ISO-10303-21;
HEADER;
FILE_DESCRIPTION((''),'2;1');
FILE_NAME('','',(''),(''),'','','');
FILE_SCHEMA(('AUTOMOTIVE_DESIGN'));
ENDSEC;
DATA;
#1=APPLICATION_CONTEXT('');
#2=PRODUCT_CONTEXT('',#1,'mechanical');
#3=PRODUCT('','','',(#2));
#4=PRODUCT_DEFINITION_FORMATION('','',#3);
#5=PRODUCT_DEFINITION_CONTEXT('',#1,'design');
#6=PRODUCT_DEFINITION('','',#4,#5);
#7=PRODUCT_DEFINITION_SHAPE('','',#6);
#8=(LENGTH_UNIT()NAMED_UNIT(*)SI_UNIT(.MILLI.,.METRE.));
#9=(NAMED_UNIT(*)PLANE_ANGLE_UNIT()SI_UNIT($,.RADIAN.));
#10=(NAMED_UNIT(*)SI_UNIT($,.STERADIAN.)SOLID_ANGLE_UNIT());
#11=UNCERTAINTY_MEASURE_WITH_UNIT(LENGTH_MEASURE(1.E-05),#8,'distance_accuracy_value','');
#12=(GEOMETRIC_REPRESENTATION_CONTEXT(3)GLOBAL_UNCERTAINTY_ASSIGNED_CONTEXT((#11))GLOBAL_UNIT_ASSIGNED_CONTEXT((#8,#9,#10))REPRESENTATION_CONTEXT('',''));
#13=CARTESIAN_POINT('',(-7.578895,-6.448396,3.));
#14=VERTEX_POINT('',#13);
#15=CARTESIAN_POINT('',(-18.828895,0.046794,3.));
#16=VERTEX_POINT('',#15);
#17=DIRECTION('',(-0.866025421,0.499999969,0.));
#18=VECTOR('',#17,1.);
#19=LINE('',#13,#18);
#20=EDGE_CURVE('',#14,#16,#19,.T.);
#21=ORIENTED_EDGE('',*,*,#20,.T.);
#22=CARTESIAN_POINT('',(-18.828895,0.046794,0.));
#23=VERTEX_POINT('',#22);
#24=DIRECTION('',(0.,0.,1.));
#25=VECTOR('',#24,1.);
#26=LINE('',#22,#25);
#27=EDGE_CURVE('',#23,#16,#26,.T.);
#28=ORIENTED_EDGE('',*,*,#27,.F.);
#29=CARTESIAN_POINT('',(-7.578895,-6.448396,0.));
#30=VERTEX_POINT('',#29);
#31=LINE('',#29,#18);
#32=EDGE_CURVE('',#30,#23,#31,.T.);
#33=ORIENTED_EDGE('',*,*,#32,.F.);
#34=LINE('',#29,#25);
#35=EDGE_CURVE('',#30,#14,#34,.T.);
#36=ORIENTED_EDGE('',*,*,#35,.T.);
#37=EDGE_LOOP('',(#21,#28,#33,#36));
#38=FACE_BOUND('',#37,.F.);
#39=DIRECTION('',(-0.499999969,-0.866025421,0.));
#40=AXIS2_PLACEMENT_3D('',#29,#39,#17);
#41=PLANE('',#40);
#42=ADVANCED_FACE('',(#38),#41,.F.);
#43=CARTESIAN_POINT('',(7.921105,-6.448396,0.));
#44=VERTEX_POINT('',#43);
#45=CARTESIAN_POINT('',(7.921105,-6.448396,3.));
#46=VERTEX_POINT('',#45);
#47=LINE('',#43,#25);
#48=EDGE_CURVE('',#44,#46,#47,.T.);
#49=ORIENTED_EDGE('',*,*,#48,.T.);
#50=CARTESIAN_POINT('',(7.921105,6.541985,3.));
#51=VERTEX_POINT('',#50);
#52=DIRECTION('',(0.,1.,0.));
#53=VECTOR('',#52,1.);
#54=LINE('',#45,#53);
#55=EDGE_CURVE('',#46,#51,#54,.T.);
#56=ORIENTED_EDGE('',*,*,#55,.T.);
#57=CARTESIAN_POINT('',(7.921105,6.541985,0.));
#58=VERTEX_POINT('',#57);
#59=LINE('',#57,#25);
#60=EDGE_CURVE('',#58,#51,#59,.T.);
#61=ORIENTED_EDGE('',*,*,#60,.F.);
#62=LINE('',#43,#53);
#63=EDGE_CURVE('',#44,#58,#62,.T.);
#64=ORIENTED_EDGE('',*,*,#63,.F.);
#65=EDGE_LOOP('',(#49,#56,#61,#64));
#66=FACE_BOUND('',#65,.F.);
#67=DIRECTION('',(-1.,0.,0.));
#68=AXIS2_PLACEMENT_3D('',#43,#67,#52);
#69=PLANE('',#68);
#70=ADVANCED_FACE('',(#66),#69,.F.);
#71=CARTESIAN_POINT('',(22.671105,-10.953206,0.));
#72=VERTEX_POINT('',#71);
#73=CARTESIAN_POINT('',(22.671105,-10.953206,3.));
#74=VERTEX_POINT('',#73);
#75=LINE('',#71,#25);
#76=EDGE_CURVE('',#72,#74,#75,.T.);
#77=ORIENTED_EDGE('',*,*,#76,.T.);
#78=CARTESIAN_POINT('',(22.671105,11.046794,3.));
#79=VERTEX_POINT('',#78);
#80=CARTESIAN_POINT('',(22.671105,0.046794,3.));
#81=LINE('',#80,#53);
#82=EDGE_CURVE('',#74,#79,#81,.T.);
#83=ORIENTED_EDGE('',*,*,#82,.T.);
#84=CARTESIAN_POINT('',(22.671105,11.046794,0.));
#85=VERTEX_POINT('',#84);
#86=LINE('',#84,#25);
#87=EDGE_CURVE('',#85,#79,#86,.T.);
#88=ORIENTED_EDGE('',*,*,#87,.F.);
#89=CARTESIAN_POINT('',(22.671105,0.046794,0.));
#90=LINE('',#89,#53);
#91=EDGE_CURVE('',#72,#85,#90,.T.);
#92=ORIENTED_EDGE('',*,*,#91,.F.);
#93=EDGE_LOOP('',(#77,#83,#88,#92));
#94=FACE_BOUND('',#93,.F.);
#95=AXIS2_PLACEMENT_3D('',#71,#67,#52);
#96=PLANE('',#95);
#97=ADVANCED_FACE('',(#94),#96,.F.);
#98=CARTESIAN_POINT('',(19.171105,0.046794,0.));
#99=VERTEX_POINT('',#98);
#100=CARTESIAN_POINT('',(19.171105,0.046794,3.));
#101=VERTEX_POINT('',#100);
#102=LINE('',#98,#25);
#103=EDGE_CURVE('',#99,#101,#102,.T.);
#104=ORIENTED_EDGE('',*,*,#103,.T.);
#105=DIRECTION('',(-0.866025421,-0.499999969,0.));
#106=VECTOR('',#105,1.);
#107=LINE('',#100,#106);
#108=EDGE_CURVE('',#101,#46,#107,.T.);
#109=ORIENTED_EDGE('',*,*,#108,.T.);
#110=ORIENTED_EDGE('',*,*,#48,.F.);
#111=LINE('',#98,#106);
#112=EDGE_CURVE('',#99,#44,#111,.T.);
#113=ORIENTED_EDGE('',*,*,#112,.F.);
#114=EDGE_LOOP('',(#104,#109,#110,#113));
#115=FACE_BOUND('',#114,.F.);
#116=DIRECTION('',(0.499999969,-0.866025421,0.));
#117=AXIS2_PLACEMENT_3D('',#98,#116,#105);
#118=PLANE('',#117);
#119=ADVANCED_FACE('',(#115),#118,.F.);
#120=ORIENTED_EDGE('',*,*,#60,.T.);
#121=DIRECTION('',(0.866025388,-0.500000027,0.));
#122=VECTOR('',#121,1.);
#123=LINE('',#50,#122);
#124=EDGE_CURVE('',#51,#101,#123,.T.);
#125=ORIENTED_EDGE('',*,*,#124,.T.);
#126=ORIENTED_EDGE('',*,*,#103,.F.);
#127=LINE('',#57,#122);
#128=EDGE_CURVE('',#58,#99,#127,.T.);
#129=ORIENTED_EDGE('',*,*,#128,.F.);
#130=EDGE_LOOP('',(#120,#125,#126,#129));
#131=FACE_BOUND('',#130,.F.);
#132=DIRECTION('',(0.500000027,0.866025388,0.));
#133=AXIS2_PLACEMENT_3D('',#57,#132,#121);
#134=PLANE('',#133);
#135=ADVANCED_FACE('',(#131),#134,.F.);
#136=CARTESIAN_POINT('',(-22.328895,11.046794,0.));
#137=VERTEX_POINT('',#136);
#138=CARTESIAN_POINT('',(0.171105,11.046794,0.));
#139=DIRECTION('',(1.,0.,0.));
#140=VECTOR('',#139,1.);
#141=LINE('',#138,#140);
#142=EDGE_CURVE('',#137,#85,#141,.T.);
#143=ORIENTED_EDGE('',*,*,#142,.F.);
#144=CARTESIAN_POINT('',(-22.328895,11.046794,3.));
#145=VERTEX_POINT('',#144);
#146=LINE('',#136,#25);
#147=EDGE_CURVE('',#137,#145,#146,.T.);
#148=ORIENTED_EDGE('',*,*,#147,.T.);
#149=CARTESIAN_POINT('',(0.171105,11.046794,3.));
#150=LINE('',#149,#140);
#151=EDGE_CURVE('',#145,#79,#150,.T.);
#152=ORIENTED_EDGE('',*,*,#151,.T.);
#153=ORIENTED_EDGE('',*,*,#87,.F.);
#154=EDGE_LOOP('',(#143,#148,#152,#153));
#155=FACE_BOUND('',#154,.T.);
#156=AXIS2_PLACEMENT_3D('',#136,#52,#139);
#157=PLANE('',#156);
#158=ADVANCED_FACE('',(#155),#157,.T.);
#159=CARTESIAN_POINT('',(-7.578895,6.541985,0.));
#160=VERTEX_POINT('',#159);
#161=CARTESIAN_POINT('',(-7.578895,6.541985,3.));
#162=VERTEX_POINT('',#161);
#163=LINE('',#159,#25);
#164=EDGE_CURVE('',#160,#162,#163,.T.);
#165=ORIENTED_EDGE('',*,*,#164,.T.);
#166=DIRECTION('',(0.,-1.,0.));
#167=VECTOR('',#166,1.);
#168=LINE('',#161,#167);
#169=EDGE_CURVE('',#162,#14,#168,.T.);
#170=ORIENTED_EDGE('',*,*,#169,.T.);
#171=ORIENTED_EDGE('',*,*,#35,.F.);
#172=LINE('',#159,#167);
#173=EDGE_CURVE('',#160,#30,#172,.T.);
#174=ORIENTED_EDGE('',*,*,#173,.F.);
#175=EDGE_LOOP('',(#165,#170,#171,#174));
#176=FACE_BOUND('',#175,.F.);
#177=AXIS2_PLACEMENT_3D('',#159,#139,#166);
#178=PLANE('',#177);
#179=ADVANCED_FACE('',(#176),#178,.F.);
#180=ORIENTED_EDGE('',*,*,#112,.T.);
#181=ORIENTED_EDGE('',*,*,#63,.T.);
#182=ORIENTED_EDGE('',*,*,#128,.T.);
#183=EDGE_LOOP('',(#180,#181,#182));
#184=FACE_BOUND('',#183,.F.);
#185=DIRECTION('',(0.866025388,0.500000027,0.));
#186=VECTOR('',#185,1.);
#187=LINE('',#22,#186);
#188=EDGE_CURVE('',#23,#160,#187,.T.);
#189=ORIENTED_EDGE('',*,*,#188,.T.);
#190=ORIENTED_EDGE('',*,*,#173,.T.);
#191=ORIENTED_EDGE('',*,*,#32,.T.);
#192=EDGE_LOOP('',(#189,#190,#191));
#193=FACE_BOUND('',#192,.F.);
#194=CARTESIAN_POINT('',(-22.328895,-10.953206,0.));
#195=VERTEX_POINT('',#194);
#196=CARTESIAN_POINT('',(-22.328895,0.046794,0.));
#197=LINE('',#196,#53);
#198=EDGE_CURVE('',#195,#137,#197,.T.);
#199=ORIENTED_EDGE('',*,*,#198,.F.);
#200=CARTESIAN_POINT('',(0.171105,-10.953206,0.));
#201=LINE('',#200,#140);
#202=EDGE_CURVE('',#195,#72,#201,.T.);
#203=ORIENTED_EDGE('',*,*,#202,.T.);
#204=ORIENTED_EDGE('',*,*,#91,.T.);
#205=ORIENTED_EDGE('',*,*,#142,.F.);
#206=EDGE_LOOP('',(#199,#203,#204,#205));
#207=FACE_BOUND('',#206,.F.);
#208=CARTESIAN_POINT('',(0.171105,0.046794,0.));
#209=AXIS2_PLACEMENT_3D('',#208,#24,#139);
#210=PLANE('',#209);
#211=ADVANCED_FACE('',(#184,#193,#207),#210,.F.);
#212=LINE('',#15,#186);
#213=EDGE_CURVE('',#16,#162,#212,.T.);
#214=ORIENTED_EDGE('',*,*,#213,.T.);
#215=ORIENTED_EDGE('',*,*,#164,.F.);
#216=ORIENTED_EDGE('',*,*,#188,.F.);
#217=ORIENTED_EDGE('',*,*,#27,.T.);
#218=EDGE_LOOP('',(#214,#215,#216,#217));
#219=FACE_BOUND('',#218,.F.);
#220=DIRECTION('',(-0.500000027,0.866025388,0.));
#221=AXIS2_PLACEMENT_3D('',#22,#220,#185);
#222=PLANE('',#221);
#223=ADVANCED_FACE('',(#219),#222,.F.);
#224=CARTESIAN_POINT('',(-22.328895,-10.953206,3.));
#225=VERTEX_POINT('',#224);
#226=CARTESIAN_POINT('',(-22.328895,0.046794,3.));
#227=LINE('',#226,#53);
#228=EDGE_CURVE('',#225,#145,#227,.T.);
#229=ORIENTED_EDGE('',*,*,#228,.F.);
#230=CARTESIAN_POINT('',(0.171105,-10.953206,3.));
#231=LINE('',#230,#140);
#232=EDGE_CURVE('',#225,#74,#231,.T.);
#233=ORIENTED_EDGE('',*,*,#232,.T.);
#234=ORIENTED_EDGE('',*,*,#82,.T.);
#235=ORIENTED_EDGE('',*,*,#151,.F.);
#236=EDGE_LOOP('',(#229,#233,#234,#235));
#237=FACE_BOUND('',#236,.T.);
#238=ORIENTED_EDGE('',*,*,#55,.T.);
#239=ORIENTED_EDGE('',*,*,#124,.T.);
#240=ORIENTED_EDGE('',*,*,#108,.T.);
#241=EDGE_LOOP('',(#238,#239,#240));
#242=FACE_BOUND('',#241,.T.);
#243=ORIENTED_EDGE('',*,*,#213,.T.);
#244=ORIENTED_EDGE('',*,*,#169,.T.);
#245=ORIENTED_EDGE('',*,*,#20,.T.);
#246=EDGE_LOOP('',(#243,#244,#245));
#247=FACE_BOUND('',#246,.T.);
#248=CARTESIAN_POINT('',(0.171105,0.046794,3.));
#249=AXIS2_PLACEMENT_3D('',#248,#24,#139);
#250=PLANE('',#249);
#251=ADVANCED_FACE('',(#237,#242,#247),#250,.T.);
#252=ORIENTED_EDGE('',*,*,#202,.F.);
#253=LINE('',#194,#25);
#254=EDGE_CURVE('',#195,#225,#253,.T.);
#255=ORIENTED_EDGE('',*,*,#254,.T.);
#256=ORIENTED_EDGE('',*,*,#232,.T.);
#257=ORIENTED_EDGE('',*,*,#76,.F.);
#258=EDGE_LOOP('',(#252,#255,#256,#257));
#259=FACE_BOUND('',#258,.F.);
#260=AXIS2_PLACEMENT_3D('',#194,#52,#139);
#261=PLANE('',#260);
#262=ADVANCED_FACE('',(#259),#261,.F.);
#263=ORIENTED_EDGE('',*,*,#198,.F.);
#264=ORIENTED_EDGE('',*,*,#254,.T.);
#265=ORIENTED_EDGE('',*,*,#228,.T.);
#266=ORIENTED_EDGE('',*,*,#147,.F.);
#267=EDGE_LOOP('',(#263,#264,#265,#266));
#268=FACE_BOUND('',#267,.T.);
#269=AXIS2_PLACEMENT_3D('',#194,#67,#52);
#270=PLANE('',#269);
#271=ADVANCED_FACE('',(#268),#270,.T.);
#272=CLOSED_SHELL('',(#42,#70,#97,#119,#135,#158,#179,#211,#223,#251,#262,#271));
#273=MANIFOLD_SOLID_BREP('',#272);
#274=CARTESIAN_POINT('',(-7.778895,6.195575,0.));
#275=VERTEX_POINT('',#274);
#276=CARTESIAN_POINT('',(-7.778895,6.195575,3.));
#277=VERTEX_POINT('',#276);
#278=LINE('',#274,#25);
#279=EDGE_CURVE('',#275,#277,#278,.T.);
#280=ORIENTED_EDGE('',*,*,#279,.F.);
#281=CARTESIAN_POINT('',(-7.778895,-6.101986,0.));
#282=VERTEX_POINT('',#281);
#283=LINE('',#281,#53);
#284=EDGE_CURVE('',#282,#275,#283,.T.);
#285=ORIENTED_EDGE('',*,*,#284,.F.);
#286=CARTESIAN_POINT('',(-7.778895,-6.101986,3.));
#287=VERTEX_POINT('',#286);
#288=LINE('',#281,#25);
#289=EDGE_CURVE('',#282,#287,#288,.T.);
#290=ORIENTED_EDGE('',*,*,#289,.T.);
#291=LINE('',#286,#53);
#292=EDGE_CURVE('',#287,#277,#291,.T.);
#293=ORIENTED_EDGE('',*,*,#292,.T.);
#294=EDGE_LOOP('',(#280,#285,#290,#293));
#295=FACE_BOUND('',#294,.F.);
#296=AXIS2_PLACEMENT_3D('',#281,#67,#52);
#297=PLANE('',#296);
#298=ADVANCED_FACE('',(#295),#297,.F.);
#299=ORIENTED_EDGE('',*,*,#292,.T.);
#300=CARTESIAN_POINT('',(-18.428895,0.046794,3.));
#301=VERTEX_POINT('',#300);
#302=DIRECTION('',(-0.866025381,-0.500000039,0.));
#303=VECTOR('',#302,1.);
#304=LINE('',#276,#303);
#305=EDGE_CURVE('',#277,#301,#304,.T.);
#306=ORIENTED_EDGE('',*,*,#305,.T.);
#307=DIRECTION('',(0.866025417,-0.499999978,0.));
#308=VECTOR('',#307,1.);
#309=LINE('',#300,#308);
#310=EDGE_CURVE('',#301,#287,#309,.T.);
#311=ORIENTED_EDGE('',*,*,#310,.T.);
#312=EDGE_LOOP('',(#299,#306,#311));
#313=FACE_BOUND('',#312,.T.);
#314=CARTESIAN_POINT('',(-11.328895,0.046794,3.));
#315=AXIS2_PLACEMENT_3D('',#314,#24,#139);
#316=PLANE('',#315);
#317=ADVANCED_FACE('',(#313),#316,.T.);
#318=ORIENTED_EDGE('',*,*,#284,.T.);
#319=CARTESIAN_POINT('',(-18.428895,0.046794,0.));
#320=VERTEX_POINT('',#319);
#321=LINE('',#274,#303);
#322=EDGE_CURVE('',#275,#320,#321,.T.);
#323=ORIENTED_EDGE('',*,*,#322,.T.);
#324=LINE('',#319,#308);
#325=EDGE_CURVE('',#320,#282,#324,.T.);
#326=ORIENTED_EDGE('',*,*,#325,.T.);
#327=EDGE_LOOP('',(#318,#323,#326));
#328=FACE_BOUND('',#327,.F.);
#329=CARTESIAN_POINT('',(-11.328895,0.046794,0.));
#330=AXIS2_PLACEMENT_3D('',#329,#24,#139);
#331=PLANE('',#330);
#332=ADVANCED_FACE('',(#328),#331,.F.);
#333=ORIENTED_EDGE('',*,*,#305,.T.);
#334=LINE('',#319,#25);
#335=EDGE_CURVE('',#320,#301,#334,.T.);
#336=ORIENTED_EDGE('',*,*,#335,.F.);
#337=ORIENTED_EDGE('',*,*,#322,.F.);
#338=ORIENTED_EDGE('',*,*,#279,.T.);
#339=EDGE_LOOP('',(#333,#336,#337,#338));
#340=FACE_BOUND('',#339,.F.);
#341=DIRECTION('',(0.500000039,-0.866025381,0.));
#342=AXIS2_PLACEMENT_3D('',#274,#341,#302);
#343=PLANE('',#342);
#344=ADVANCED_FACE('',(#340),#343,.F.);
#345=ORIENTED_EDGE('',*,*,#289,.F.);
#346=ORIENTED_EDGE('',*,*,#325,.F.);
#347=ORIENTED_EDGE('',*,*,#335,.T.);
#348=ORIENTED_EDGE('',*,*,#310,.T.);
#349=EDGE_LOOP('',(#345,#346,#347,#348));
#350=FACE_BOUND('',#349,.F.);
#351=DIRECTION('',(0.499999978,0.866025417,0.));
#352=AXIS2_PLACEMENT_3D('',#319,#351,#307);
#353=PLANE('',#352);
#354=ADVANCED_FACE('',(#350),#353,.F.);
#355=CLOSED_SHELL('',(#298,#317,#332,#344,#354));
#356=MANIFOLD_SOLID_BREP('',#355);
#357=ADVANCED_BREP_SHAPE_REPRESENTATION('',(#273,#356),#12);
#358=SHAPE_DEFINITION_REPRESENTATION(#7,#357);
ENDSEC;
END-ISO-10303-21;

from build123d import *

# Parameters (mm, degrees)
F0_W     = 45
F0_H     = 22
F1_DEPTH = 3
F3_DEPTH = 3


with BuildPart() as f1:
    # F0 (on Top) → F1 (new body)
    with BuildSketch(Plane.XY):
        with Locations((0.171105, 0.046794)):
            Rectangle(F0_W, F0_H)
        Polygon((-7.578895, 6.541985), (-7.578895, -6.448396), (-18.828895, 0.046794), align=None, mode=Mode.SUBTRACT)
        Polygon((7.921105, -6.448396), (7.921105, 6.541985), (19.171105, 0.046794), align=None, mode=Mode.SUBTRACT)
    extrude(amount=F1_DEPTH)


with BuildPart() as f3:
    # F2 (on face) → F3 (new body)
    with BuildSketch(Plane.XY):
        Polygon((-18.428895, 0.046794), (-7.778895, -6.101986), (-7.778895, 6.195575), align=None)
    extrude(amount=F3_DEPTH)


solid = Compound([f1.part, f3.part])
